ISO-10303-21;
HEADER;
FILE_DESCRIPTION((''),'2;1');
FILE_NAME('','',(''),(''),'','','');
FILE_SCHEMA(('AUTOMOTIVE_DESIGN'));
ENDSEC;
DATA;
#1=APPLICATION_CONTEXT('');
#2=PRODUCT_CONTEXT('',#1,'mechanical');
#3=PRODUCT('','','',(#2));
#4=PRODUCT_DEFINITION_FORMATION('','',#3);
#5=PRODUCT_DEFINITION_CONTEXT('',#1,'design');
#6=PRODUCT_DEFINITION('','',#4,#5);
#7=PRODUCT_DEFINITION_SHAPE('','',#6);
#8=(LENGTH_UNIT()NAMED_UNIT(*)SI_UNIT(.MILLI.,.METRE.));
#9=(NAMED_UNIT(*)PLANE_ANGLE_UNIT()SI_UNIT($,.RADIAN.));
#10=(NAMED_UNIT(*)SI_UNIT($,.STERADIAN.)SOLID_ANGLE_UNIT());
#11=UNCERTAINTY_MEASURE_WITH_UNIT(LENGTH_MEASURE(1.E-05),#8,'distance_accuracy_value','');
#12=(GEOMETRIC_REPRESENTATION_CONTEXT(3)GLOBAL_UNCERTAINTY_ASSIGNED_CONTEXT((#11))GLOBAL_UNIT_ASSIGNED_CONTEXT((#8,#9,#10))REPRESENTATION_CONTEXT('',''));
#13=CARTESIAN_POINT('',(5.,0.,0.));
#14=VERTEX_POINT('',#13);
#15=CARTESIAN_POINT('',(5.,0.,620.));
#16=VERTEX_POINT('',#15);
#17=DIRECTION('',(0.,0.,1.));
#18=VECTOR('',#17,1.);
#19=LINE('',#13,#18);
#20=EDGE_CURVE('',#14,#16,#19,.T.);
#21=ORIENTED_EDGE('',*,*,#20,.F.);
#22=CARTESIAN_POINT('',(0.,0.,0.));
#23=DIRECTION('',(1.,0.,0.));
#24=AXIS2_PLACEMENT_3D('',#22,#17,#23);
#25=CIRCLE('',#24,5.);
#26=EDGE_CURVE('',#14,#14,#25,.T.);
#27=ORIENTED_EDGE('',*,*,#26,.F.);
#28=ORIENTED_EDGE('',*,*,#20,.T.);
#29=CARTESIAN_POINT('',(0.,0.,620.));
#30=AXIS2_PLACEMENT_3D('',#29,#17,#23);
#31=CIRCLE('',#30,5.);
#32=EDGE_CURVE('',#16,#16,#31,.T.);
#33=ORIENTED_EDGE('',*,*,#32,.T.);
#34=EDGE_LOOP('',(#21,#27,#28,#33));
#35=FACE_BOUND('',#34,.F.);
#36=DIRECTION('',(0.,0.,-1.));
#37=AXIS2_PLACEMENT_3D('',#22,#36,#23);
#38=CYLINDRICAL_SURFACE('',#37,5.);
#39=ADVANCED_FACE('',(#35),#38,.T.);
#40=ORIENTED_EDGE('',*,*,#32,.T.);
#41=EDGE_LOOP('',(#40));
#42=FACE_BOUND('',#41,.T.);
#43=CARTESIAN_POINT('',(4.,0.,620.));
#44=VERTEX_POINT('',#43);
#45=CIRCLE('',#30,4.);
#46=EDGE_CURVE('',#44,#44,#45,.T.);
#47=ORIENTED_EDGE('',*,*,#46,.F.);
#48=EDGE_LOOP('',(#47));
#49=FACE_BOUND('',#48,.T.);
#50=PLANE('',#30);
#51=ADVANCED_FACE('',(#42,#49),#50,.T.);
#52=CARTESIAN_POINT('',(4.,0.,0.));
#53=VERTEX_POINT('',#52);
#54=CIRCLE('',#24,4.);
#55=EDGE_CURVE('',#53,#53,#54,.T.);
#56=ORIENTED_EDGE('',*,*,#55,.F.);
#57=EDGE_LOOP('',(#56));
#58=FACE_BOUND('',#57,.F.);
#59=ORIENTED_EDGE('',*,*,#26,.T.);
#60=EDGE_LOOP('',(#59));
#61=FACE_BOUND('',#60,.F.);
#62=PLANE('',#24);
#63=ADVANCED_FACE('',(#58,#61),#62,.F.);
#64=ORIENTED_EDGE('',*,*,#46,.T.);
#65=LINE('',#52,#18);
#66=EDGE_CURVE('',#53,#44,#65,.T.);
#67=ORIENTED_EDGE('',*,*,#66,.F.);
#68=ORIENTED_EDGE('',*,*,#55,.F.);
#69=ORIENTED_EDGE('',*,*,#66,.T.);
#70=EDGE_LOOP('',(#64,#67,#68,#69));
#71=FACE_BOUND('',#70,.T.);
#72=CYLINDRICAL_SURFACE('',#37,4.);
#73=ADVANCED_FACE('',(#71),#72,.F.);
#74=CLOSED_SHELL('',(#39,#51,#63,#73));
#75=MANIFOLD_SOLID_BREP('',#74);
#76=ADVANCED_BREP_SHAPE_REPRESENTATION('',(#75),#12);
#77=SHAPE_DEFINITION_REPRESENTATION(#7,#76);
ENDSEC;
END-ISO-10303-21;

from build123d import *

# Parameters (mm, degrees)
SKETCH_R   = 5
SKETCH_R_2 = 4
PAD_DEPTH  = 620


with BuildPart() as part:
    # Sketch → Pad (new body)
    with BuildSketch(Plane.XY):
        Circle(SKETCH_R)
        Circle(SKETCH_R_2, mode=Mode.SUBTRACT)
    extrude(amount=PAD_DEPTH)


solid = part.part
